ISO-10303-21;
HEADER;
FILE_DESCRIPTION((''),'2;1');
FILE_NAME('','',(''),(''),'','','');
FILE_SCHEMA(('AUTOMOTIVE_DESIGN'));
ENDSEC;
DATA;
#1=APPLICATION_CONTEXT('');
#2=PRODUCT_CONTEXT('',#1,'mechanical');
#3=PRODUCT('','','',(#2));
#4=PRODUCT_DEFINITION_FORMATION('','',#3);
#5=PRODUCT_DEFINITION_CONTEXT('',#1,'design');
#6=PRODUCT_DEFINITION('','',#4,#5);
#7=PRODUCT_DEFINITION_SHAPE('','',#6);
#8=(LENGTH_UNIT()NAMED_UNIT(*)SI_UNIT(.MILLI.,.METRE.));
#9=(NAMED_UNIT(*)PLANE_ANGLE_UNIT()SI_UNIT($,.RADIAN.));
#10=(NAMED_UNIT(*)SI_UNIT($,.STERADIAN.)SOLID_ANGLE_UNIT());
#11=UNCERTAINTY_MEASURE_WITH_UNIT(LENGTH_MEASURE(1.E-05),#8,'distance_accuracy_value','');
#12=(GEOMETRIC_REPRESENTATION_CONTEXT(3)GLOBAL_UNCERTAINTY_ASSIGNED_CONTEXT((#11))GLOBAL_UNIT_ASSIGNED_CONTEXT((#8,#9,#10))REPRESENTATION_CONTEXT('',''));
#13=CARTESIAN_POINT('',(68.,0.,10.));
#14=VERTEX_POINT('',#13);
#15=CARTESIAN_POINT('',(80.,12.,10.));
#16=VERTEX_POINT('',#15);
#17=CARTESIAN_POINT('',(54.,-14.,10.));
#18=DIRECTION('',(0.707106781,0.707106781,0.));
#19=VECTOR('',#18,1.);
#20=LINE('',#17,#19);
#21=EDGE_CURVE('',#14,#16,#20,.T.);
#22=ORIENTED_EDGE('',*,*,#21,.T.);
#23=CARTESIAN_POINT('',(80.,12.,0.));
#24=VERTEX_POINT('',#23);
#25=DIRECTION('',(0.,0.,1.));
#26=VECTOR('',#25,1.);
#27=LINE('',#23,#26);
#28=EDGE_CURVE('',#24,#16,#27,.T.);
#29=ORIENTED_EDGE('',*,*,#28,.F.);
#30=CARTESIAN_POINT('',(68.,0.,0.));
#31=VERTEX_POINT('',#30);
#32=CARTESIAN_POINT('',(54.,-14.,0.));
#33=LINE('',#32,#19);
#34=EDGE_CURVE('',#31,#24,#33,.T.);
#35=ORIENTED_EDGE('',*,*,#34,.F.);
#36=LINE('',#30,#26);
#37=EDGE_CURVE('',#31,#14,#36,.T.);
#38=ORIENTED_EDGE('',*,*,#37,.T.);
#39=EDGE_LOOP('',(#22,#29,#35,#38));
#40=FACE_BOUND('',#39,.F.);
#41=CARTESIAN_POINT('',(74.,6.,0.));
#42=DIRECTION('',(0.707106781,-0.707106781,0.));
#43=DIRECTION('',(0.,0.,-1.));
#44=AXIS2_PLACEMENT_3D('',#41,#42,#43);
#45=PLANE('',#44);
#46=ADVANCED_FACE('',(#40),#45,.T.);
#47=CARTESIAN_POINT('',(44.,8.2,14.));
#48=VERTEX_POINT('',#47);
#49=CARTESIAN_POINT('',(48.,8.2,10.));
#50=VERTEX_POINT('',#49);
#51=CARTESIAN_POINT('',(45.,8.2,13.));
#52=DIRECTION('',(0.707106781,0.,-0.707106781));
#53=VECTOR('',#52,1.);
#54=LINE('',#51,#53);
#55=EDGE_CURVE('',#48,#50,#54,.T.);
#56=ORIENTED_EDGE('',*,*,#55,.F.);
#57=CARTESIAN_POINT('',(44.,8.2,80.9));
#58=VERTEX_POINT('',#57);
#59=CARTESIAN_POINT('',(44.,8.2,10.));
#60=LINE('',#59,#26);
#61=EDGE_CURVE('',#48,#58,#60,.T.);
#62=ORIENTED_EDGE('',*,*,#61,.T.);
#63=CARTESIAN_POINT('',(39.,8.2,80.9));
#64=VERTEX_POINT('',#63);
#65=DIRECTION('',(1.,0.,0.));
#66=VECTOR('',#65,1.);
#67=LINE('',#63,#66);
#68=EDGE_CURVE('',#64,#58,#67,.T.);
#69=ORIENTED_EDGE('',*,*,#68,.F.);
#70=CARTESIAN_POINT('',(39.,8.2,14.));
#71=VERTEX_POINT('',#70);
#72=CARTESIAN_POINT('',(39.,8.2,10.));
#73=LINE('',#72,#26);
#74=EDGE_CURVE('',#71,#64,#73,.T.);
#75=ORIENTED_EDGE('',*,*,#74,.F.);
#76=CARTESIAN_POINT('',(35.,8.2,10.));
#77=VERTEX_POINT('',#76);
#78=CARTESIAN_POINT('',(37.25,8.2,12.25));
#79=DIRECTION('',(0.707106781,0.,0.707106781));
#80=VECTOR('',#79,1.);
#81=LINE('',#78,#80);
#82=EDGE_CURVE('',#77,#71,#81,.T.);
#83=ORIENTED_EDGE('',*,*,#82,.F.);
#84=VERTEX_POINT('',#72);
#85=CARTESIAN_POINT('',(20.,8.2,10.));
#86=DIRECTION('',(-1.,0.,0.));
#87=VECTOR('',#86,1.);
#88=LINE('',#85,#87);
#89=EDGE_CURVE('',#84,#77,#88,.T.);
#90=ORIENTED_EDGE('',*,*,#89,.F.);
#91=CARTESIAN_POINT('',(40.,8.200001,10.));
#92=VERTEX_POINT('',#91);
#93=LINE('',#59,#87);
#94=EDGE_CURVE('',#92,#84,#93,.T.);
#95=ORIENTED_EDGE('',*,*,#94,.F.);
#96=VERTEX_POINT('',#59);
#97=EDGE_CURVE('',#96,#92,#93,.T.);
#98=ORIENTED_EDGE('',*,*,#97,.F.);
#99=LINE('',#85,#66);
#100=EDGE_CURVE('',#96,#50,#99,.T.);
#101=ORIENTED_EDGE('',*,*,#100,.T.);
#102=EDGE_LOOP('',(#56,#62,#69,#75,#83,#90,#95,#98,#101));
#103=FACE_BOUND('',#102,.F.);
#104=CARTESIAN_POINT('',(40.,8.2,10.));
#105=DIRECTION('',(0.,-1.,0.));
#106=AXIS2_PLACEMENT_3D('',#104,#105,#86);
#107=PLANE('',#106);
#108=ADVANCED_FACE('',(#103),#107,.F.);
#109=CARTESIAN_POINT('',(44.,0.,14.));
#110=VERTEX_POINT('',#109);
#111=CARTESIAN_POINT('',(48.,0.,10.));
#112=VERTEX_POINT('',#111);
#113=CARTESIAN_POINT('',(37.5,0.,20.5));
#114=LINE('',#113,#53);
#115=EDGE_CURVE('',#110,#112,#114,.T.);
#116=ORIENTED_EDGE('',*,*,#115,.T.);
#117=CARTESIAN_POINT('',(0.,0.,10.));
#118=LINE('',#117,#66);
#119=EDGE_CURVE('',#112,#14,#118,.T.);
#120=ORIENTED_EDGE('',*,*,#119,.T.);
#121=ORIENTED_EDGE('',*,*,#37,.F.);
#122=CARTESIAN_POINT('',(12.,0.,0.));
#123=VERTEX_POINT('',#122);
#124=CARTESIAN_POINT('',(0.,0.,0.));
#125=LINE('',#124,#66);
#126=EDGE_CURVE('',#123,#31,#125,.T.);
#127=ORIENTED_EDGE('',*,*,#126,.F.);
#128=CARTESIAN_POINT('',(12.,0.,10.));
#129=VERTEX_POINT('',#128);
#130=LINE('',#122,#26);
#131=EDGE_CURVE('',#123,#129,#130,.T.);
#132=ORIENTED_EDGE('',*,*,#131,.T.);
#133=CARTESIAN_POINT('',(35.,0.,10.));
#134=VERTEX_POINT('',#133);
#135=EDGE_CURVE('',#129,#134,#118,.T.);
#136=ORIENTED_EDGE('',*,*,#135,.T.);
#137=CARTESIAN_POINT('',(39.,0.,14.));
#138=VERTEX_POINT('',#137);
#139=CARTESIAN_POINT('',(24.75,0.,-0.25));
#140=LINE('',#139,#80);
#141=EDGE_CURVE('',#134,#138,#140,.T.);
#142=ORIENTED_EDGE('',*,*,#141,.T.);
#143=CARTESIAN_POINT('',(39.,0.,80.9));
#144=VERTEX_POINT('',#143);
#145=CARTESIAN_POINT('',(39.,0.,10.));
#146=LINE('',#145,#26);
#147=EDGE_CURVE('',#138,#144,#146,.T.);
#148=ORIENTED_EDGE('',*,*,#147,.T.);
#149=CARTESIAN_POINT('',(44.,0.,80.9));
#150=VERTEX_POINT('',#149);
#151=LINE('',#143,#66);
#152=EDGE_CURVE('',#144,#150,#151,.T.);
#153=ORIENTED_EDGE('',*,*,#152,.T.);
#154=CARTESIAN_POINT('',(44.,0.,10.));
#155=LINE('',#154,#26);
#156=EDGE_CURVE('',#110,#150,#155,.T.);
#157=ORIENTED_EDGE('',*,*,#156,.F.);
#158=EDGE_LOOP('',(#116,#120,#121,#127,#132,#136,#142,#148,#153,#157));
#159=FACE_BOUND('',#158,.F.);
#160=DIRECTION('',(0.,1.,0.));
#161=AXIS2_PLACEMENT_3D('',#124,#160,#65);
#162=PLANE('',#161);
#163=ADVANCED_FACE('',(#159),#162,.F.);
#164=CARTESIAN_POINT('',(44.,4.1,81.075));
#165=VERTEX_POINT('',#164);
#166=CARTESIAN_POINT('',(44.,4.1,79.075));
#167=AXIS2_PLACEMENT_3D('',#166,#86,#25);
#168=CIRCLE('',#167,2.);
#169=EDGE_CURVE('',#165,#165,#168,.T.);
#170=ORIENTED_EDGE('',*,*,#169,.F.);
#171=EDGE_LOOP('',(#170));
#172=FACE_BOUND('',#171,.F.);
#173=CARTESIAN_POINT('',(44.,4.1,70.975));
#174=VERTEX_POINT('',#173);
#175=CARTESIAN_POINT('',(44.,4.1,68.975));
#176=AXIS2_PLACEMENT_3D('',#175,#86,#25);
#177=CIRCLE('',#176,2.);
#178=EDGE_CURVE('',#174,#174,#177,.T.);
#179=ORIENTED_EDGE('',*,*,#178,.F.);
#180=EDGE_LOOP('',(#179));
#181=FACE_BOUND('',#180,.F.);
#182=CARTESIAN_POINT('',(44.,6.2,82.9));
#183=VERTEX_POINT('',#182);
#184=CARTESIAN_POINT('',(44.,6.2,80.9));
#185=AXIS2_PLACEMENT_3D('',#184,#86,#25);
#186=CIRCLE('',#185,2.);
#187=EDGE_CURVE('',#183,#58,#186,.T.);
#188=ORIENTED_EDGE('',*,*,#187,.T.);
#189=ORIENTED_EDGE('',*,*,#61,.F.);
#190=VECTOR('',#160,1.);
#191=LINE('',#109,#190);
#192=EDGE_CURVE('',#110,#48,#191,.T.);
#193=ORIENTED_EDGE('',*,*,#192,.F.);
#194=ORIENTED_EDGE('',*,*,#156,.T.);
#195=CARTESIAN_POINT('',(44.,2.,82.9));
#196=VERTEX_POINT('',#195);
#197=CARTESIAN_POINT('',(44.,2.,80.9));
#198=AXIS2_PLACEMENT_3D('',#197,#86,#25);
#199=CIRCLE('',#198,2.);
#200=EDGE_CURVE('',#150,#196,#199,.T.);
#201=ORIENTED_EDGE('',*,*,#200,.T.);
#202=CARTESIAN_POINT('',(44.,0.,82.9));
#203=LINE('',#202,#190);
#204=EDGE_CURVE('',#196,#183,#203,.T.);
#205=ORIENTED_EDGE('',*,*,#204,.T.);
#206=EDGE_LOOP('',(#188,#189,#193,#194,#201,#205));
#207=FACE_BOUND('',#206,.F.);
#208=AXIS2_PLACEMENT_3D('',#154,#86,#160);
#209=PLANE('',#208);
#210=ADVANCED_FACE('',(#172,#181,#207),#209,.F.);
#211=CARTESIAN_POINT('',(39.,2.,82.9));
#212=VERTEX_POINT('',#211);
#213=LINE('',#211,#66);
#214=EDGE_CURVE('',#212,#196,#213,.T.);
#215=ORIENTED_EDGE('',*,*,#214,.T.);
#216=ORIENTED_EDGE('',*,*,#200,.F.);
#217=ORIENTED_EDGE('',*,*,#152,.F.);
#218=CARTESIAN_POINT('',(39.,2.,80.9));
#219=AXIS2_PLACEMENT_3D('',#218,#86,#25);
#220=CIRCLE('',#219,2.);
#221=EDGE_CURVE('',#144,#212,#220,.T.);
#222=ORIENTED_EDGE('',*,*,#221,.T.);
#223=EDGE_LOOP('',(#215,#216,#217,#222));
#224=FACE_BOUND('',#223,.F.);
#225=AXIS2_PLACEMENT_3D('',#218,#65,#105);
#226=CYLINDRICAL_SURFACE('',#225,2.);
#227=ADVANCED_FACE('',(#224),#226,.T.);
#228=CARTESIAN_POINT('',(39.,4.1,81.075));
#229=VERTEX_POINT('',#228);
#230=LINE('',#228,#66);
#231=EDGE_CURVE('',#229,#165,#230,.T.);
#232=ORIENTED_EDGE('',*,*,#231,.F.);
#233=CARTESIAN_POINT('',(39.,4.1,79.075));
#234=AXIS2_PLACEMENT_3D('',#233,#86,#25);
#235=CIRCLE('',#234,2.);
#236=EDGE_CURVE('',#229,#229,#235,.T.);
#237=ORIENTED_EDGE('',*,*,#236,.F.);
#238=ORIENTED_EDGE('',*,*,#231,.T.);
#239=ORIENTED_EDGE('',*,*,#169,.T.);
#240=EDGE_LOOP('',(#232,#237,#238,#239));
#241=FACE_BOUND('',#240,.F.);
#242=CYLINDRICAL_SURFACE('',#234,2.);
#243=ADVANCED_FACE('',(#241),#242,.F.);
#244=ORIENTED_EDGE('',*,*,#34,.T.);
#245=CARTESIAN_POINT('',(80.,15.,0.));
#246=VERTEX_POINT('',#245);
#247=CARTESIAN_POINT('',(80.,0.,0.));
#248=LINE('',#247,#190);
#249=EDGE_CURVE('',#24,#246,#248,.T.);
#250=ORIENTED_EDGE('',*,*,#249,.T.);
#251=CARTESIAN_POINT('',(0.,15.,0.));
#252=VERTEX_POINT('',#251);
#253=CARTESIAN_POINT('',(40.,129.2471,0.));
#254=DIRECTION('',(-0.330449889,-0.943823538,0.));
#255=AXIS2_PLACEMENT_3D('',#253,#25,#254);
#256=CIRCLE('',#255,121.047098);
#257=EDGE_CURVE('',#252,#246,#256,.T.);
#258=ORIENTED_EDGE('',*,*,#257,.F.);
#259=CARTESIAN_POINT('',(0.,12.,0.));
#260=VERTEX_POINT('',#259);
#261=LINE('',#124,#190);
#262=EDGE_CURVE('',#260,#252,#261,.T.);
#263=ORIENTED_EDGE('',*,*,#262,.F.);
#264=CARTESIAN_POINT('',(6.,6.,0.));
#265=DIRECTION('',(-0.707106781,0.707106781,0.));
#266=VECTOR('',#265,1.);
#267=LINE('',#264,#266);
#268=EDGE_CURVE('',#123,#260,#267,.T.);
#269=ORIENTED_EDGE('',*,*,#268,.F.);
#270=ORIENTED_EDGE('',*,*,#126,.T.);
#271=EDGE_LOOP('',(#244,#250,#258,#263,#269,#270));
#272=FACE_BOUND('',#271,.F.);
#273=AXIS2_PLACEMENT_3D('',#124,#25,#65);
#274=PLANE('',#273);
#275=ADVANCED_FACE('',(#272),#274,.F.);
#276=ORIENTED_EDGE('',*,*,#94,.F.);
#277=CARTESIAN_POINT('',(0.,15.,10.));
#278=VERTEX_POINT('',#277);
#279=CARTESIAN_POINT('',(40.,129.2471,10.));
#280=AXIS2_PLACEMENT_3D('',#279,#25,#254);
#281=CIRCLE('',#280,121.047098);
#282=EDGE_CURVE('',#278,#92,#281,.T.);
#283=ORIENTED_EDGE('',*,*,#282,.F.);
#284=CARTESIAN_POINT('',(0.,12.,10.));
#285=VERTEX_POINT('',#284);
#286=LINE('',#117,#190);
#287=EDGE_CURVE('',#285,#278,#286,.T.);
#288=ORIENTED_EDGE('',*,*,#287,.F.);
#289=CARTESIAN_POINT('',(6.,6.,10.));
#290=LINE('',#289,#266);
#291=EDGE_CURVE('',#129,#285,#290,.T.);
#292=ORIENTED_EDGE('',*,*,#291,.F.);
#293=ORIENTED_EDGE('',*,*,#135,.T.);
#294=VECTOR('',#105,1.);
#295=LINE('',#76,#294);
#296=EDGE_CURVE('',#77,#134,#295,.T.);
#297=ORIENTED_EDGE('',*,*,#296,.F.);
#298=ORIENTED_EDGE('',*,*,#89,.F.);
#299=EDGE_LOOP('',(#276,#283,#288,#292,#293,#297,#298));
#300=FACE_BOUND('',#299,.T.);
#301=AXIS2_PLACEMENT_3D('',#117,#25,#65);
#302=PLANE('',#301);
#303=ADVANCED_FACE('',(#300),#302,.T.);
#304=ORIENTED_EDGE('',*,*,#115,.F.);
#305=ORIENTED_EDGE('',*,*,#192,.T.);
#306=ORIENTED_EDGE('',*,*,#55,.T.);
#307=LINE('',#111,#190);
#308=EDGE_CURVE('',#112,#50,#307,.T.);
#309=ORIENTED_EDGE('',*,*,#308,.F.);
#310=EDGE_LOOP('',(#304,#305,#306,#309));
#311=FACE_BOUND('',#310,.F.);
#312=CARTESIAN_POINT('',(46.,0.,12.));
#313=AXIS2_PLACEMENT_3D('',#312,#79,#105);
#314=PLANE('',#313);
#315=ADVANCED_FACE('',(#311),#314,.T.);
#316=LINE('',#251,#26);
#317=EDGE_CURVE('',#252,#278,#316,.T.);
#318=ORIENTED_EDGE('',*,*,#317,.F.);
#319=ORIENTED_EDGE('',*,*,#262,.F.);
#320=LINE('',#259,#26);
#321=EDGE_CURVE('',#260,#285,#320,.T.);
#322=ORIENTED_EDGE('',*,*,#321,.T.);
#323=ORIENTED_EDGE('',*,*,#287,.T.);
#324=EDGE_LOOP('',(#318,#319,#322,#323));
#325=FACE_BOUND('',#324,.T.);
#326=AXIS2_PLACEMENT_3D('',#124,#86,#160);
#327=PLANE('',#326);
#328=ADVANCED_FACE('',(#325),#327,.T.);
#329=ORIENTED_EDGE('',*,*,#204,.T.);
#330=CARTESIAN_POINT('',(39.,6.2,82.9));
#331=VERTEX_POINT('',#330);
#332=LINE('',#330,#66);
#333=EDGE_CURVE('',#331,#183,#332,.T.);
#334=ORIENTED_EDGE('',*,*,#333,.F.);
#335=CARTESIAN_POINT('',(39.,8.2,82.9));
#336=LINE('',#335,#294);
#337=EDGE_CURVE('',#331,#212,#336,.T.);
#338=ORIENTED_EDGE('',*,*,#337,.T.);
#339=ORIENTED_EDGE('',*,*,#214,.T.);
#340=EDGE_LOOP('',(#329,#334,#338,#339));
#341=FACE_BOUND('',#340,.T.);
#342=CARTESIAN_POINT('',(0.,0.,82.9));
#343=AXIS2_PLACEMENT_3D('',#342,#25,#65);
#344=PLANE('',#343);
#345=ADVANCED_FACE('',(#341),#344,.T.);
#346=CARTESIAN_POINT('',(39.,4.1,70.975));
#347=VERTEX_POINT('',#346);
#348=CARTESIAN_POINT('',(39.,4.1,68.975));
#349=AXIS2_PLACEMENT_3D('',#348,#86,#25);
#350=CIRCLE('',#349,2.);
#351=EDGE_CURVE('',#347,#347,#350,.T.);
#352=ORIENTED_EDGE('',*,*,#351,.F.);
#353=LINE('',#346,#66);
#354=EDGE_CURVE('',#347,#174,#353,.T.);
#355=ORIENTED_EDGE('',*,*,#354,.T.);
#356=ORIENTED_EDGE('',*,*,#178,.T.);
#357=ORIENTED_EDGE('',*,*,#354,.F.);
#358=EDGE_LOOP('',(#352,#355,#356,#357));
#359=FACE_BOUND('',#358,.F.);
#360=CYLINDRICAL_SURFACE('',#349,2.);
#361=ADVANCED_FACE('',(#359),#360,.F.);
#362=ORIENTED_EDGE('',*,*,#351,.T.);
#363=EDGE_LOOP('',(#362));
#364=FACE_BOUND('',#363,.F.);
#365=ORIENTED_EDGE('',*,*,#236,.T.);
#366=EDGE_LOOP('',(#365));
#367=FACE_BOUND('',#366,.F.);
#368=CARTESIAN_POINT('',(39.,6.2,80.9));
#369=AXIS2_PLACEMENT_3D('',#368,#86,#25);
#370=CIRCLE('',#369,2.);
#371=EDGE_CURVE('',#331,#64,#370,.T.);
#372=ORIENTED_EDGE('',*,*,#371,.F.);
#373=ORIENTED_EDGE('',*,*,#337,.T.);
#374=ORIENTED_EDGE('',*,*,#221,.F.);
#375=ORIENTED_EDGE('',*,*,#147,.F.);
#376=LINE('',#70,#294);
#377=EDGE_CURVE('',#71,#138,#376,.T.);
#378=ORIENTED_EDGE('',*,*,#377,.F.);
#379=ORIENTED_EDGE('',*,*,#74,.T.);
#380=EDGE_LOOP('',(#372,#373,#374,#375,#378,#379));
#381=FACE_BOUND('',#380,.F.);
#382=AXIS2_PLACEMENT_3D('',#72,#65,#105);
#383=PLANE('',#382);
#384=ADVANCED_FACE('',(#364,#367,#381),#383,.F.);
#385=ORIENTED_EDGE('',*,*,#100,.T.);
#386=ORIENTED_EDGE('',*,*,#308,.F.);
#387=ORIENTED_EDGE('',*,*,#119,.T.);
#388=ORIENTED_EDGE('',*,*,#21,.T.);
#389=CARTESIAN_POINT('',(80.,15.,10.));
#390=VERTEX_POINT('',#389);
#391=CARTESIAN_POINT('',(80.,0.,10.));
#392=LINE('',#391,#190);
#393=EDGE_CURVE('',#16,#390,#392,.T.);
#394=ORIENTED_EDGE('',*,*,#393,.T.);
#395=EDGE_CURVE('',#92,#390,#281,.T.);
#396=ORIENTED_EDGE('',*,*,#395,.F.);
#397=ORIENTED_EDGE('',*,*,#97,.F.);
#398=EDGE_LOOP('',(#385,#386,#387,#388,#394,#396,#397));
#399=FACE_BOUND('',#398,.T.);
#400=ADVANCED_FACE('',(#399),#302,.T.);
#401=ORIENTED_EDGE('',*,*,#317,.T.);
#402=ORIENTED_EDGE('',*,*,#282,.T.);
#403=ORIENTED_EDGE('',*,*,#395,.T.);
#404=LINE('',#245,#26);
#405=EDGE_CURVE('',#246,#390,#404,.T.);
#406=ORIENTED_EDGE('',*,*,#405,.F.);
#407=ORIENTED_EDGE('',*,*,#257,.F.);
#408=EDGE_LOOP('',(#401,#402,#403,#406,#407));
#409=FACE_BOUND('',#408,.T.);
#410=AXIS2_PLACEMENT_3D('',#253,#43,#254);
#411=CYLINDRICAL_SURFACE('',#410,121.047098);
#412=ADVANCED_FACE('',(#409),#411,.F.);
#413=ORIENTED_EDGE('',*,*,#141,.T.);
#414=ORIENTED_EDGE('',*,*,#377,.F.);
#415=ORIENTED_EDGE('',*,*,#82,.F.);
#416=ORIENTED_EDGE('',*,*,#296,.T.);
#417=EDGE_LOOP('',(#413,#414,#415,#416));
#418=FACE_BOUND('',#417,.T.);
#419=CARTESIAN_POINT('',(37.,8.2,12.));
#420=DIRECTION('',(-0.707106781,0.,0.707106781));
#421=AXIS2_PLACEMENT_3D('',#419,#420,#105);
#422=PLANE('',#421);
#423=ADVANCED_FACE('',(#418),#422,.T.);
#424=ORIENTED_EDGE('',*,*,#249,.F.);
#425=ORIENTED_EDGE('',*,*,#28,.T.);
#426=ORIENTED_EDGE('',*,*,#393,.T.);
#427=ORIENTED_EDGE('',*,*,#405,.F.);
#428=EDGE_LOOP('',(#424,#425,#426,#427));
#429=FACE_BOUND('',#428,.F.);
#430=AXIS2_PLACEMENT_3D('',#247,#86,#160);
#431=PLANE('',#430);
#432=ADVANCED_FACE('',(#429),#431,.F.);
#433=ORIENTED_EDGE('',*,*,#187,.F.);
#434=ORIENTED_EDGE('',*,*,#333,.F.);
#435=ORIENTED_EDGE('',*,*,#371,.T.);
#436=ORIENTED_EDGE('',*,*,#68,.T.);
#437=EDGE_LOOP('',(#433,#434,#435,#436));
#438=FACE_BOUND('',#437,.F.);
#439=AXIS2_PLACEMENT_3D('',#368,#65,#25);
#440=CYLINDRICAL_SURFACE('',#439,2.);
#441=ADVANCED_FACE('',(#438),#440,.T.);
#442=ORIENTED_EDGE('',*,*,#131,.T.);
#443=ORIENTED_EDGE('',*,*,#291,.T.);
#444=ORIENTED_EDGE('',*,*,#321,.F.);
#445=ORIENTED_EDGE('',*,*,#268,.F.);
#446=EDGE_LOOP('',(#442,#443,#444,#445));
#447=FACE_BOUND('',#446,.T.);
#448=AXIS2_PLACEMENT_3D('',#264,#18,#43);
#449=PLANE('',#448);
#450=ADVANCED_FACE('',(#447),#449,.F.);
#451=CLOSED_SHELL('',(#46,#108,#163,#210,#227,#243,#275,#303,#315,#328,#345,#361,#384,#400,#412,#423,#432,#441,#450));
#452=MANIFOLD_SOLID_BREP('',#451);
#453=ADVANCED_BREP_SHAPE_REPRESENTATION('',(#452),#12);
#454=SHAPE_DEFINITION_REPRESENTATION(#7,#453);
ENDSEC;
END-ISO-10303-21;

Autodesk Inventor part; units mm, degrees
ref_plane "YZ Plane" through (0, 0, 0) normal (1, 0, 0) x (0, 1, 0)
ref_plane "XZ Plane" through (0, 0, 0) normal (0, 1, 0) x (-1, 0, 0)
ref_plane "XY Plane" through (0, 0, 0) normal (0, 0, 1) x (1, 0, 0)
sketch "Esquisse1" plane through (0, 0, 0) normal (0, 0, 1) x (1, 0, 0)
  line L0 (0, 0) -> (0, 15)
  line L1 (0, 0) -> (80, 0)
  line L2 (80, 0) -> (80, 15)
  arc A0 (0, 15) -> (80, 15) centre (40, 129.2471) ccw
  line L3 (0, 8.2) -> (80, 8.2) construction
  line L4 (40, 0) -> (40, 8.2) construction
  dimension "d0" = 15
  dimension "d1" = 80
  dimension "d28" = 8.2
extrude "Extrusion1" add sketch "Esquisse1" along normal blind 10
sketch "Esquisse2" plane through (0, 0, 10) normal (0, 0, 1) x (1, 0, 0)
  line L0 (0, 0) -> (80, 0) projected
  line L1 (39, 0) -> (44, 0)
  line L2 (44, 0) -> (44, 8.2)
  line L3 (44, 8.2) -> (39, 8.2)
  line L4 (39, 8.2) -> (39, 0)
  line L5 (0, 15) -> (0, 0) projected
  line L6 (0, 8.2) -> (80, 8.2) construction
  line L7 (80, 0) -> (80, 15) projected
  arc A0 (0, 15) -> (80, 15) centre (40, 129.2471) ccw projected
  line L8 (40, 0) -> (40, 8.2) construction
  dimension "d6" = 5
  dimension "d9" = 80
  dimension "d56" = 4
extrude "Extrusion2" add sketch "Esquisse2" along normal blind 72.9 contours L4 L3 L2 L0
sketch "Esquisse8" plane through (39, 0, 10) normal (-1, 0, 0) x (0, 0, 1)
  circle A0 centre (69.075, 4.1) radius 2
  circle A1 centre (58.975, 4.1) radius 2
  line L0 (0, 8.2) -> (72.9, 8.2) projected
  line L1 (0, 0) -> (72.9, 0) projected
  line L2 (72.9, 8.2) -> (72.9, 0) projected
  point P0 (-10, 0)
  dimension "d45" = 10.1
  dimension "d46" = 4
  dimension "d47" = 4
  dimension "d48" = 8.2
  dimension "d49" = 4.1
  dimension "d50" = 4.1
  dimension "d51" = 3.825
extrude "Extrusion8" cut sketch "Esquisse8" against normal up to surface (5 mm away)
chamfer "Chanfrein1" distance 4 angle 45 2 edges at (39, 4.1, 10) (44, 4.1, 10)
chamfer "Chanfrein2" distance 12 angle 45 2 edges at (0, 0, 5) (80, 0, 5)
fillet "Congé1" radius 2 2 edges at (41.5, 8.2, 82.9) (41.5, 0, 82.9)
equation "\"d47\" = d46"
equation "\"d49\" = 0.5 * d48"
equation "\"d50\" = d49"
properties part number "tete_statique"
